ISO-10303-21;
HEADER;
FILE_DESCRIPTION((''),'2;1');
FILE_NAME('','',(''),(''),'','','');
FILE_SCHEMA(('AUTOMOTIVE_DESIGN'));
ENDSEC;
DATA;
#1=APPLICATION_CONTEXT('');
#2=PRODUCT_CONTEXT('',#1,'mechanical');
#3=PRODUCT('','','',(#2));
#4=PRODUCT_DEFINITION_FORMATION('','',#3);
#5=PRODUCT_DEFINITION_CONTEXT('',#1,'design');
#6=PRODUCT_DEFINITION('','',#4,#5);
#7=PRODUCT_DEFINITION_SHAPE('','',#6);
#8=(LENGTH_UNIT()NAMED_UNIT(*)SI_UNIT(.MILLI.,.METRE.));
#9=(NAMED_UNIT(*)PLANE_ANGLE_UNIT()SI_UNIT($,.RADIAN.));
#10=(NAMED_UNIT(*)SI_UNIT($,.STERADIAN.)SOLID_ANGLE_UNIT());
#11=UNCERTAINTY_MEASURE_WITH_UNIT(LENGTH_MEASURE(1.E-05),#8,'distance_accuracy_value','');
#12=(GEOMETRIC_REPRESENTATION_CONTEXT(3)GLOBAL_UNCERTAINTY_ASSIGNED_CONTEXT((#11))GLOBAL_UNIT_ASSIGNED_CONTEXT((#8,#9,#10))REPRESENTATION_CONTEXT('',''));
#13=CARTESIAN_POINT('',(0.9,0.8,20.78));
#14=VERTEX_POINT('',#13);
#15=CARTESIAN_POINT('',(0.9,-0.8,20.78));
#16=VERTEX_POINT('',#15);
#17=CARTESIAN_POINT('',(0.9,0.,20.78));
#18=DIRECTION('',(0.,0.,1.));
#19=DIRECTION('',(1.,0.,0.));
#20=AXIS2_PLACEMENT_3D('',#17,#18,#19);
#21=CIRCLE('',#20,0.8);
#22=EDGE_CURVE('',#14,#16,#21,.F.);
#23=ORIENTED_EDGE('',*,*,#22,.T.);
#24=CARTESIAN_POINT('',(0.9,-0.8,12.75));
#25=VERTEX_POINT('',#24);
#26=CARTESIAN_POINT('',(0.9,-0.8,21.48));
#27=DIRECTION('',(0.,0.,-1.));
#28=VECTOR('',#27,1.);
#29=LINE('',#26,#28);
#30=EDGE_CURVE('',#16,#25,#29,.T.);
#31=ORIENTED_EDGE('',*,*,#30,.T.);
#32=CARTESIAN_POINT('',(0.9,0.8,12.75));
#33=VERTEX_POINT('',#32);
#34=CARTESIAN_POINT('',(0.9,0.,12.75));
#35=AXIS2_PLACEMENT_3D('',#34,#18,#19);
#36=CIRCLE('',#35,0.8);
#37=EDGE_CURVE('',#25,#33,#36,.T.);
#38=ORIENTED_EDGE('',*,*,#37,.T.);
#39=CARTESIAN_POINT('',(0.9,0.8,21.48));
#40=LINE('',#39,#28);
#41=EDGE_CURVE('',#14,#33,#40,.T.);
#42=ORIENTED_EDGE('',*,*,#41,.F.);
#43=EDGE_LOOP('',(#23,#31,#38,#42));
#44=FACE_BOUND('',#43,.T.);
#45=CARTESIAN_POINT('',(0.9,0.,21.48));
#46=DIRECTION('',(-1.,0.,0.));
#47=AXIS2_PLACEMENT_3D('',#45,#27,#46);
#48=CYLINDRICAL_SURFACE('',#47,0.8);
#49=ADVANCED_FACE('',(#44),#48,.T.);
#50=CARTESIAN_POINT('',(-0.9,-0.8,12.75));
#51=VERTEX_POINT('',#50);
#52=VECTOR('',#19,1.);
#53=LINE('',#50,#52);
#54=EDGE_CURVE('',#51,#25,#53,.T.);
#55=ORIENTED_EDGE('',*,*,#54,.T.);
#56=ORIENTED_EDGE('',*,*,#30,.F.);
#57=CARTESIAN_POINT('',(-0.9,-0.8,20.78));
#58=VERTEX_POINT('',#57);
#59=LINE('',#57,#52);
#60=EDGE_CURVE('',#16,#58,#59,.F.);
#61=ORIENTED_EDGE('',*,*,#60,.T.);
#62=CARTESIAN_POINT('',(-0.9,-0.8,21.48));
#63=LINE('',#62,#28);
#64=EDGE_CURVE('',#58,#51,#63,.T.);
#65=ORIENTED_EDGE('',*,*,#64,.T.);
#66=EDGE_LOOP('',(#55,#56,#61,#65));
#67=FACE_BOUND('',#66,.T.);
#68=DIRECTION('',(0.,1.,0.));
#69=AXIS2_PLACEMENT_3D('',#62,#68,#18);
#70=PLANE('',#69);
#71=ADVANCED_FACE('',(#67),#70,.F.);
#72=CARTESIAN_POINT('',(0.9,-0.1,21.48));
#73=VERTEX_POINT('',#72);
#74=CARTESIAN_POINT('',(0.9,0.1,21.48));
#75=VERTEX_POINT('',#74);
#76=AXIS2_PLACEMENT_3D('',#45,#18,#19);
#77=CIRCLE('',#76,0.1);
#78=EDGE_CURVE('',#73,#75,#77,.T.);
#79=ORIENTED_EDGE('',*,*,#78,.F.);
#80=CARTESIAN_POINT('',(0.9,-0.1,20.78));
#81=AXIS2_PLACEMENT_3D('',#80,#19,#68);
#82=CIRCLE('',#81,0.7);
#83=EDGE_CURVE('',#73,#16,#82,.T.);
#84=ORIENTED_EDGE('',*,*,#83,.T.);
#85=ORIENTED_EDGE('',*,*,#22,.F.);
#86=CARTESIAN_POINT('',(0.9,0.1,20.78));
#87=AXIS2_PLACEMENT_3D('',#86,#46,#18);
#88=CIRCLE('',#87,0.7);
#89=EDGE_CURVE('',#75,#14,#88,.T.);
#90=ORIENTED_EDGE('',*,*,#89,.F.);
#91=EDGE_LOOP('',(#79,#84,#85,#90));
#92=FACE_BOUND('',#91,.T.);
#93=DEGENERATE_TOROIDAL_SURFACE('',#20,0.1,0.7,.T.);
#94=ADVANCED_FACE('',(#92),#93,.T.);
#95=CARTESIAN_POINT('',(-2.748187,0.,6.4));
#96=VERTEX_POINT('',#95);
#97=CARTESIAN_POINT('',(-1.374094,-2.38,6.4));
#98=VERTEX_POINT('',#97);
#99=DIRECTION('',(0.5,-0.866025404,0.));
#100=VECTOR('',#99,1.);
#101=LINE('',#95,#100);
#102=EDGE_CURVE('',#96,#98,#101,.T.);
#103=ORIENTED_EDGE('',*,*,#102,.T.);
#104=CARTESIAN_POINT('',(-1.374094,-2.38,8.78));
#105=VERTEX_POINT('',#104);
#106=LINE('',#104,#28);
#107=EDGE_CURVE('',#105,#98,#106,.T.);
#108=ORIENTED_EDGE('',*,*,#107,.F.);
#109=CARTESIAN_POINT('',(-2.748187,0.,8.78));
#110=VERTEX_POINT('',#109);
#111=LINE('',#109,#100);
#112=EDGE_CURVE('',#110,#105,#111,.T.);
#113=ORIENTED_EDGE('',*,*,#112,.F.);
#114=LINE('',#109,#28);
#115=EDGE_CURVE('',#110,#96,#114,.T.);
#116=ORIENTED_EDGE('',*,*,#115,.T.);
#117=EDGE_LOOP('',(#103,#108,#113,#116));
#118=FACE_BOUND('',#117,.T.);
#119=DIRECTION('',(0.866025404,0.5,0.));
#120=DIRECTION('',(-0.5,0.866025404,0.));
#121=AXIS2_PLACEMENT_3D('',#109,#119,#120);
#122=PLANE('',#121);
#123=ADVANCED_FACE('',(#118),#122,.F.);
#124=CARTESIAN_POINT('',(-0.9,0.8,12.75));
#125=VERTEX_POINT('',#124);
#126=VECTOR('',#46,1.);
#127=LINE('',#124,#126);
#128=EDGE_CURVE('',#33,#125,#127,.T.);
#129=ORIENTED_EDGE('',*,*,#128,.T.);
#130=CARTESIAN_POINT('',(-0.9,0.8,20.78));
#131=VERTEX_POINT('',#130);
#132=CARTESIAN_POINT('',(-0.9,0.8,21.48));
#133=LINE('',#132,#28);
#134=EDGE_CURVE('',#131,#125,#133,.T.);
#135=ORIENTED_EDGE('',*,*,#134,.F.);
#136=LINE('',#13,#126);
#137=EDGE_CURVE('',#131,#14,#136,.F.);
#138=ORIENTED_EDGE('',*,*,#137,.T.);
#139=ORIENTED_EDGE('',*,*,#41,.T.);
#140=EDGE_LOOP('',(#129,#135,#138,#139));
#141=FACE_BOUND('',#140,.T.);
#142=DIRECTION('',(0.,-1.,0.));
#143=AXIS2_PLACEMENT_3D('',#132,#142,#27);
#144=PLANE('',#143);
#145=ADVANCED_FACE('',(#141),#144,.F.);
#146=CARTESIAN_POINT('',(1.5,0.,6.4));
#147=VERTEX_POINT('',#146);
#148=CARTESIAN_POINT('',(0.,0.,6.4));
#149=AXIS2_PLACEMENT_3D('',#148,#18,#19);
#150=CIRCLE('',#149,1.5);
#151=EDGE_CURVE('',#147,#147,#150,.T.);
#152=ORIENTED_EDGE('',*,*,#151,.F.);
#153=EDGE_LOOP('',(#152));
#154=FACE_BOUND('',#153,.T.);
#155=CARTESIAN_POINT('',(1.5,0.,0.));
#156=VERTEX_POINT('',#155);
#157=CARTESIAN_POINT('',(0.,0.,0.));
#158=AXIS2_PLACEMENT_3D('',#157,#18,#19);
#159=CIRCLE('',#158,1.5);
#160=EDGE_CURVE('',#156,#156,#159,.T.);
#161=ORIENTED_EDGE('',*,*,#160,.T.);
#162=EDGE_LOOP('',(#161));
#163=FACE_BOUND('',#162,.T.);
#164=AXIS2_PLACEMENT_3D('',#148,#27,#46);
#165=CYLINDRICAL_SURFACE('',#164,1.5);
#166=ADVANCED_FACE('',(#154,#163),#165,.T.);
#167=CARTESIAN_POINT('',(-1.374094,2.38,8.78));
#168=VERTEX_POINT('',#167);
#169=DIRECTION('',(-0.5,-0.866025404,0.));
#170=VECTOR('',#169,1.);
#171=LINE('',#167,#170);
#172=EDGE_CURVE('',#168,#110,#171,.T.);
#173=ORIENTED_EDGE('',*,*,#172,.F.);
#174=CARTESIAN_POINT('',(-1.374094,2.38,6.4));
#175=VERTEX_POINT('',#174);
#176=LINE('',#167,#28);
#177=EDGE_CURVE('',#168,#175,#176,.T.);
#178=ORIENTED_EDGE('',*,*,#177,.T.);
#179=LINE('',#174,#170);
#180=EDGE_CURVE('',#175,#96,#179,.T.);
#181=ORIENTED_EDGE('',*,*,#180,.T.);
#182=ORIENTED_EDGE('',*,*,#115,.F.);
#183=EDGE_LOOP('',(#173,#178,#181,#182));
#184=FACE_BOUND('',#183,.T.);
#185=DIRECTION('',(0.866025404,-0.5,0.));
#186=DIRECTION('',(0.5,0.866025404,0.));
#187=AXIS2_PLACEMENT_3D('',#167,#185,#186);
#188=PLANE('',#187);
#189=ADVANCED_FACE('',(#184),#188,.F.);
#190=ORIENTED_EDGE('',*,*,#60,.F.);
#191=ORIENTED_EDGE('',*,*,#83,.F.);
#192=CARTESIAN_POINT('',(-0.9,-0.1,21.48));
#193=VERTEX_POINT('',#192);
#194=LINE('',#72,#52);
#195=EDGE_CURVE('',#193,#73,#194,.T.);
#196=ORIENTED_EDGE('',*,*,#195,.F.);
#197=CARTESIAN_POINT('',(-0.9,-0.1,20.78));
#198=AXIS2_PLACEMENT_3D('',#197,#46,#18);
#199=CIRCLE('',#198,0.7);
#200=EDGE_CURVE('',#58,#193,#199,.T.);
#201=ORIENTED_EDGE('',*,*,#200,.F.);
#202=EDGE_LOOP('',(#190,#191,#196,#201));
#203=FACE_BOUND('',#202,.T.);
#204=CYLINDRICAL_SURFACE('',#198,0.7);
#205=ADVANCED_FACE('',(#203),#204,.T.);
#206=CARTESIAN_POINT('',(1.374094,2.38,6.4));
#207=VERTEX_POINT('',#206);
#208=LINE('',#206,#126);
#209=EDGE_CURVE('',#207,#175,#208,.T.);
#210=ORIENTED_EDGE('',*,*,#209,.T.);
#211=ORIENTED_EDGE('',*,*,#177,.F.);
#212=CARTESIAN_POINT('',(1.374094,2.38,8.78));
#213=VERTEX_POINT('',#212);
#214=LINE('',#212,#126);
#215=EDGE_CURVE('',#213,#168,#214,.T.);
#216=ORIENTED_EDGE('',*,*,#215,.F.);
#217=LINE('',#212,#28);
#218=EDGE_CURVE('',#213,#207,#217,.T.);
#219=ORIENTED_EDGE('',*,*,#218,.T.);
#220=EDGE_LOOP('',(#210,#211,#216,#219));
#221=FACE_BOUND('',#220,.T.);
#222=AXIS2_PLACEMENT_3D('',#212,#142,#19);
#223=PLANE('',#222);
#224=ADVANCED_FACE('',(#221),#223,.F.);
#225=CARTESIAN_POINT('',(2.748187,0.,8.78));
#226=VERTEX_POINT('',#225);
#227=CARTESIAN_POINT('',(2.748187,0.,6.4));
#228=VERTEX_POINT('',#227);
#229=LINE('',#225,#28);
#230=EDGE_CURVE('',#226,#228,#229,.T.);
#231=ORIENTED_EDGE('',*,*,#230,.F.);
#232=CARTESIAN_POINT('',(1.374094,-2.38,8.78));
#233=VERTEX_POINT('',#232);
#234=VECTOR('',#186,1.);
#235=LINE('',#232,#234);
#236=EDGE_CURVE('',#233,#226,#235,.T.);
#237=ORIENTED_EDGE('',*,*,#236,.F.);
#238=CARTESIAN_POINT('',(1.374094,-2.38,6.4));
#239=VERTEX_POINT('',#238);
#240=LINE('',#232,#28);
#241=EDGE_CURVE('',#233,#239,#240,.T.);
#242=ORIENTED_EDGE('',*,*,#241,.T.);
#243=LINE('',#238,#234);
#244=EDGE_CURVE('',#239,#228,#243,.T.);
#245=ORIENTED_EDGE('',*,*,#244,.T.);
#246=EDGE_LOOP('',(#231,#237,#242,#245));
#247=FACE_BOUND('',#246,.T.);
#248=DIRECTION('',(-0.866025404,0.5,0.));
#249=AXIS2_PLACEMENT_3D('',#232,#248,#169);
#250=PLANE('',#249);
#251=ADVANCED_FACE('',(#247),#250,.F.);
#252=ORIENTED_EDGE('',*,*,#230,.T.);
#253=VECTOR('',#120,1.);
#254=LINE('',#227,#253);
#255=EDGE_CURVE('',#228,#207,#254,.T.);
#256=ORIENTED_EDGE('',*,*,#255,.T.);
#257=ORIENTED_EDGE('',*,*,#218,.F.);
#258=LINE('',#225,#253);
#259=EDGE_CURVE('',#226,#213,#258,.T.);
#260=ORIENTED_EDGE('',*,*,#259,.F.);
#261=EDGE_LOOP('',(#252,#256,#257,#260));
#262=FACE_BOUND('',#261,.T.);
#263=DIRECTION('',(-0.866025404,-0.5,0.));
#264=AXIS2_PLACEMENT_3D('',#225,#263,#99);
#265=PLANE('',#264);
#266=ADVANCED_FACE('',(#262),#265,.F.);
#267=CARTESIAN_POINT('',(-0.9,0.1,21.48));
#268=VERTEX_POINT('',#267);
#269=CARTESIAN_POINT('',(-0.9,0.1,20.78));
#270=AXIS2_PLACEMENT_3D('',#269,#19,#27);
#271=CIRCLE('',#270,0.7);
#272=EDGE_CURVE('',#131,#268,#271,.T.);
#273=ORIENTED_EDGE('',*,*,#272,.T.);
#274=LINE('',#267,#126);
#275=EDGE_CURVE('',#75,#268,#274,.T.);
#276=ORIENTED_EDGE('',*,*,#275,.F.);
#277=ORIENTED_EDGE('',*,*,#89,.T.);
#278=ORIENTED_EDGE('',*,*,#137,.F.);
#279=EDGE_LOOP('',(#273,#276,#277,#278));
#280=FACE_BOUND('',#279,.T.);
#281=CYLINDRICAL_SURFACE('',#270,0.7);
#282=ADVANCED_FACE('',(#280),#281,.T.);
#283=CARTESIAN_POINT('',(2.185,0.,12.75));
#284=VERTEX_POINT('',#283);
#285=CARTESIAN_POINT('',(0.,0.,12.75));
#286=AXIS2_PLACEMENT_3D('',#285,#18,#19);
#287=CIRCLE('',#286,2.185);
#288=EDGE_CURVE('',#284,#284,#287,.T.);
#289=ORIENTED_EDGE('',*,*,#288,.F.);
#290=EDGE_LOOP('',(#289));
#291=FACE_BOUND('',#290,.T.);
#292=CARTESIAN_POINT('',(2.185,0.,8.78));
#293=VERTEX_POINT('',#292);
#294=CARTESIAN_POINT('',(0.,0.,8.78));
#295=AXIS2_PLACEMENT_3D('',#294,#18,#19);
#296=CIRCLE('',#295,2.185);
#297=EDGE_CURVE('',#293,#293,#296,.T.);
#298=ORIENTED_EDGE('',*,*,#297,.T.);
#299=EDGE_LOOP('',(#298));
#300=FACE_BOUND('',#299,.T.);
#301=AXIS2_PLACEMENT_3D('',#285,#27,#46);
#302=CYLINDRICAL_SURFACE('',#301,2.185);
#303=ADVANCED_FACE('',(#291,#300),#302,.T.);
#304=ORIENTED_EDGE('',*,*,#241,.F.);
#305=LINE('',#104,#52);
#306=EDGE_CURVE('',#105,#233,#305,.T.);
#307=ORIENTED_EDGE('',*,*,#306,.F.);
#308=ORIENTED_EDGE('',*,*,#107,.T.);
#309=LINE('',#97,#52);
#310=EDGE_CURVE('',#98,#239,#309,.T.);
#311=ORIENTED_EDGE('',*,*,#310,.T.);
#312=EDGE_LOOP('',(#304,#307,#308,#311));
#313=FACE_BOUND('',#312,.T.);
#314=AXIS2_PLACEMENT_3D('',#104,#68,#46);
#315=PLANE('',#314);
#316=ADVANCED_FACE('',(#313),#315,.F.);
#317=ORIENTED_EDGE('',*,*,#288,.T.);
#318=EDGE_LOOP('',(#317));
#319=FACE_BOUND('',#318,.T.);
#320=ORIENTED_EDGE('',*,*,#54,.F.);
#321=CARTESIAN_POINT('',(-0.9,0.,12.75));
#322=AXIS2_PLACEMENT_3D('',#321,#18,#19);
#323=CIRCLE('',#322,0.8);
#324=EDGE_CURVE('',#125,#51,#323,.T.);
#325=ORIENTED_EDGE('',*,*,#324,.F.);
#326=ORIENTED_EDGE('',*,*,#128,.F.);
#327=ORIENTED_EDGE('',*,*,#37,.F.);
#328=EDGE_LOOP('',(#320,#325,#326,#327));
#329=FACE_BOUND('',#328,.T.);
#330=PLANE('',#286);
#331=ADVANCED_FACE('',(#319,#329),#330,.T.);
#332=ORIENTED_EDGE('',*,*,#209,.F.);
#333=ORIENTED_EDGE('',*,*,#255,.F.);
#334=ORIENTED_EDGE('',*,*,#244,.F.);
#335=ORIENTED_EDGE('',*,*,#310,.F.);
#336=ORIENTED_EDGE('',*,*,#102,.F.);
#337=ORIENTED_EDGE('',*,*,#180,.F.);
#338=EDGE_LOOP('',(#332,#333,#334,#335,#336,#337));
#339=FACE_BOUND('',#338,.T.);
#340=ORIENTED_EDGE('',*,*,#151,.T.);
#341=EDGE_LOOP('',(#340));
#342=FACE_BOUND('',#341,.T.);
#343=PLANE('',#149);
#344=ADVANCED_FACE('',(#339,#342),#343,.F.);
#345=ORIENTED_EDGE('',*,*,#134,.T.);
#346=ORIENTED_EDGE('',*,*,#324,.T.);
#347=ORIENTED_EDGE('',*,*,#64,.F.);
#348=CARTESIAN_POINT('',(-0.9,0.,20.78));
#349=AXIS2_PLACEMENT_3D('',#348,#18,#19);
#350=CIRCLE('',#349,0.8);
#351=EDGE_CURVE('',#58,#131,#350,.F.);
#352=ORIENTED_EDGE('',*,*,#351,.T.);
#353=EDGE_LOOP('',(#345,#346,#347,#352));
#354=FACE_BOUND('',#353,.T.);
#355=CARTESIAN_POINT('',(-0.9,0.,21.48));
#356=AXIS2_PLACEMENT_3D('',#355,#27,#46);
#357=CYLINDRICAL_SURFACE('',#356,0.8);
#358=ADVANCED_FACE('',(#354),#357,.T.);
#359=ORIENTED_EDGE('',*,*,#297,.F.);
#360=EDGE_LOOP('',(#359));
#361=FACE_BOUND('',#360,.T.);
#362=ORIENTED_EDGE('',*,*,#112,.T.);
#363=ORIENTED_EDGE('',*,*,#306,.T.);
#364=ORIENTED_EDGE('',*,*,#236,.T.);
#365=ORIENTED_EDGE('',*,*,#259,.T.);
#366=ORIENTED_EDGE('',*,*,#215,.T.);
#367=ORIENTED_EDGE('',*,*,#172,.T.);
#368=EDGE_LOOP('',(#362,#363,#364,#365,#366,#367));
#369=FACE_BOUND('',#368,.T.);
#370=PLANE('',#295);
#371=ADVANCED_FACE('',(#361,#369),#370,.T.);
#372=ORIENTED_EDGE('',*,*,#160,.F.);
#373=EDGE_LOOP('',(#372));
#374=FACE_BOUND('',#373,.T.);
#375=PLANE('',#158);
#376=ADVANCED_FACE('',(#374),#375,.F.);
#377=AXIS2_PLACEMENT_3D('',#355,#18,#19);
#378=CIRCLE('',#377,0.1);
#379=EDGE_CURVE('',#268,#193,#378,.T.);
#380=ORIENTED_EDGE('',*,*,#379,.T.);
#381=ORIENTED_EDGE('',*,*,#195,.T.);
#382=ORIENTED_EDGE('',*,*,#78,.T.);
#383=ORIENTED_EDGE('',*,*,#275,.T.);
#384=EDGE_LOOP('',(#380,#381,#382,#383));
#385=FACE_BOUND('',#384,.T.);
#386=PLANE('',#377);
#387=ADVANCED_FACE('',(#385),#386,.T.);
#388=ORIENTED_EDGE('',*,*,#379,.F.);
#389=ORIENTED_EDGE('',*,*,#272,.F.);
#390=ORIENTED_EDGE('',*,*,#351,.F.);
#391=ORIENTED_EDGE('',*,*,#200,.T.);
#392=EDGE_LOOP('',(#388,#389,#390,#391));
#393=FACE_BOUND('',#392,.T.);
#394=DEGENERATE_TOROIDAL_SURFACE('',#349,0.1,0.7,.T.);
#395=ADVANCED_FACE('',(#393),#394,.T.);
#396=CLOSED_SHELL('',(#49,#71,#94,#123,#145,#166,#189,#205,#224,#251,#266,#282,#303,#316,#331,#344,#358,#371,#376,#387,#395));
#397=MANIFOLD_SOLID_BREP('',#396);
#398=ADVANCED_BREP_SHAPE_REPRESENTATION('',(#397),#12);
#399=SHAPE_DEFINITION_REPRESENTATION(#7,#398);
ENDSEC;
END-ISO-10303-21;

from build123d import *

# Parameters (mm, degrees)
SKETCH1_R           = 1.5
BOSS_EXTRUDE1_DEPTH = 6.4
BOSS_EXTRUDE2_DEPTH = 2.38
SKETCH3_R           = 2.185
BOSS_EXTRUDE3_DEPTH = 3.97
BOSS_EXTRUDE4_DEPTH = 8.73
FILLET1_R           = 0.7


with BuildPart() as part:
    # Sketch1 → Boss-Extrude1 (new body)
    with BuildSketch(Plane.XY):
        Circle(SKETCH1_R)
    extrude(amount=BOSS_EXTRUDE1_DEPTH)

    # Sketch2 → Boss-Extrude2 (add)
    with BuildSketch(Plane.XY.offset(6.4)):
        Polygon((1.374093641, -2.38), (2.748187281, 0), (1.374093641, 2.38), (-1.374093641, 2.38), (-2.748187281, 0), (-1.374093641, -2.38), align=None)
    extrude(amount=BOSS_EXTRUDE2_DEPTH)

    # Sketch3 → Boss-Extrude3 (add)
    with BuildSketch(Plane.XY.offset(8.78)):
        Circle(SKETCH3_R)
    extrude(amount=BOSS_EXTRUDE3_DEPTH)

    # Sketch4 → Boss-Extrude4 (add)
    with BuildSketch(Plane.XY.offset(12.75)):
        with BuildLine():
            Line((-0.9, 0.8), (0.9, 0.8))
            ThreePointArc((0.9, 0.8), (1.7, 0), (0.9, -0.8))
            Line((0.9, -0.8), (-0.9, -0.8))
            ThreePointArc((-0.9, -0.8), (-1.7, 0), (-0.9, 0.8))
        make_face()
    extrude(amount=BOSS_EXTRUDE4_DEPTH)

    # Fillet1
    fillet1_edges = [part.edges().sort_by_distance(p)[0] for p in [
        (-1.7, 0, 21.48),
        (0, -0.8, 21.48),
        (1.7, 0, 21.48),
        (0, 0.8, 21.48),
    ]]
    fillet(fillet1_edges, radius=FILLET1_R)


solid = part.part
